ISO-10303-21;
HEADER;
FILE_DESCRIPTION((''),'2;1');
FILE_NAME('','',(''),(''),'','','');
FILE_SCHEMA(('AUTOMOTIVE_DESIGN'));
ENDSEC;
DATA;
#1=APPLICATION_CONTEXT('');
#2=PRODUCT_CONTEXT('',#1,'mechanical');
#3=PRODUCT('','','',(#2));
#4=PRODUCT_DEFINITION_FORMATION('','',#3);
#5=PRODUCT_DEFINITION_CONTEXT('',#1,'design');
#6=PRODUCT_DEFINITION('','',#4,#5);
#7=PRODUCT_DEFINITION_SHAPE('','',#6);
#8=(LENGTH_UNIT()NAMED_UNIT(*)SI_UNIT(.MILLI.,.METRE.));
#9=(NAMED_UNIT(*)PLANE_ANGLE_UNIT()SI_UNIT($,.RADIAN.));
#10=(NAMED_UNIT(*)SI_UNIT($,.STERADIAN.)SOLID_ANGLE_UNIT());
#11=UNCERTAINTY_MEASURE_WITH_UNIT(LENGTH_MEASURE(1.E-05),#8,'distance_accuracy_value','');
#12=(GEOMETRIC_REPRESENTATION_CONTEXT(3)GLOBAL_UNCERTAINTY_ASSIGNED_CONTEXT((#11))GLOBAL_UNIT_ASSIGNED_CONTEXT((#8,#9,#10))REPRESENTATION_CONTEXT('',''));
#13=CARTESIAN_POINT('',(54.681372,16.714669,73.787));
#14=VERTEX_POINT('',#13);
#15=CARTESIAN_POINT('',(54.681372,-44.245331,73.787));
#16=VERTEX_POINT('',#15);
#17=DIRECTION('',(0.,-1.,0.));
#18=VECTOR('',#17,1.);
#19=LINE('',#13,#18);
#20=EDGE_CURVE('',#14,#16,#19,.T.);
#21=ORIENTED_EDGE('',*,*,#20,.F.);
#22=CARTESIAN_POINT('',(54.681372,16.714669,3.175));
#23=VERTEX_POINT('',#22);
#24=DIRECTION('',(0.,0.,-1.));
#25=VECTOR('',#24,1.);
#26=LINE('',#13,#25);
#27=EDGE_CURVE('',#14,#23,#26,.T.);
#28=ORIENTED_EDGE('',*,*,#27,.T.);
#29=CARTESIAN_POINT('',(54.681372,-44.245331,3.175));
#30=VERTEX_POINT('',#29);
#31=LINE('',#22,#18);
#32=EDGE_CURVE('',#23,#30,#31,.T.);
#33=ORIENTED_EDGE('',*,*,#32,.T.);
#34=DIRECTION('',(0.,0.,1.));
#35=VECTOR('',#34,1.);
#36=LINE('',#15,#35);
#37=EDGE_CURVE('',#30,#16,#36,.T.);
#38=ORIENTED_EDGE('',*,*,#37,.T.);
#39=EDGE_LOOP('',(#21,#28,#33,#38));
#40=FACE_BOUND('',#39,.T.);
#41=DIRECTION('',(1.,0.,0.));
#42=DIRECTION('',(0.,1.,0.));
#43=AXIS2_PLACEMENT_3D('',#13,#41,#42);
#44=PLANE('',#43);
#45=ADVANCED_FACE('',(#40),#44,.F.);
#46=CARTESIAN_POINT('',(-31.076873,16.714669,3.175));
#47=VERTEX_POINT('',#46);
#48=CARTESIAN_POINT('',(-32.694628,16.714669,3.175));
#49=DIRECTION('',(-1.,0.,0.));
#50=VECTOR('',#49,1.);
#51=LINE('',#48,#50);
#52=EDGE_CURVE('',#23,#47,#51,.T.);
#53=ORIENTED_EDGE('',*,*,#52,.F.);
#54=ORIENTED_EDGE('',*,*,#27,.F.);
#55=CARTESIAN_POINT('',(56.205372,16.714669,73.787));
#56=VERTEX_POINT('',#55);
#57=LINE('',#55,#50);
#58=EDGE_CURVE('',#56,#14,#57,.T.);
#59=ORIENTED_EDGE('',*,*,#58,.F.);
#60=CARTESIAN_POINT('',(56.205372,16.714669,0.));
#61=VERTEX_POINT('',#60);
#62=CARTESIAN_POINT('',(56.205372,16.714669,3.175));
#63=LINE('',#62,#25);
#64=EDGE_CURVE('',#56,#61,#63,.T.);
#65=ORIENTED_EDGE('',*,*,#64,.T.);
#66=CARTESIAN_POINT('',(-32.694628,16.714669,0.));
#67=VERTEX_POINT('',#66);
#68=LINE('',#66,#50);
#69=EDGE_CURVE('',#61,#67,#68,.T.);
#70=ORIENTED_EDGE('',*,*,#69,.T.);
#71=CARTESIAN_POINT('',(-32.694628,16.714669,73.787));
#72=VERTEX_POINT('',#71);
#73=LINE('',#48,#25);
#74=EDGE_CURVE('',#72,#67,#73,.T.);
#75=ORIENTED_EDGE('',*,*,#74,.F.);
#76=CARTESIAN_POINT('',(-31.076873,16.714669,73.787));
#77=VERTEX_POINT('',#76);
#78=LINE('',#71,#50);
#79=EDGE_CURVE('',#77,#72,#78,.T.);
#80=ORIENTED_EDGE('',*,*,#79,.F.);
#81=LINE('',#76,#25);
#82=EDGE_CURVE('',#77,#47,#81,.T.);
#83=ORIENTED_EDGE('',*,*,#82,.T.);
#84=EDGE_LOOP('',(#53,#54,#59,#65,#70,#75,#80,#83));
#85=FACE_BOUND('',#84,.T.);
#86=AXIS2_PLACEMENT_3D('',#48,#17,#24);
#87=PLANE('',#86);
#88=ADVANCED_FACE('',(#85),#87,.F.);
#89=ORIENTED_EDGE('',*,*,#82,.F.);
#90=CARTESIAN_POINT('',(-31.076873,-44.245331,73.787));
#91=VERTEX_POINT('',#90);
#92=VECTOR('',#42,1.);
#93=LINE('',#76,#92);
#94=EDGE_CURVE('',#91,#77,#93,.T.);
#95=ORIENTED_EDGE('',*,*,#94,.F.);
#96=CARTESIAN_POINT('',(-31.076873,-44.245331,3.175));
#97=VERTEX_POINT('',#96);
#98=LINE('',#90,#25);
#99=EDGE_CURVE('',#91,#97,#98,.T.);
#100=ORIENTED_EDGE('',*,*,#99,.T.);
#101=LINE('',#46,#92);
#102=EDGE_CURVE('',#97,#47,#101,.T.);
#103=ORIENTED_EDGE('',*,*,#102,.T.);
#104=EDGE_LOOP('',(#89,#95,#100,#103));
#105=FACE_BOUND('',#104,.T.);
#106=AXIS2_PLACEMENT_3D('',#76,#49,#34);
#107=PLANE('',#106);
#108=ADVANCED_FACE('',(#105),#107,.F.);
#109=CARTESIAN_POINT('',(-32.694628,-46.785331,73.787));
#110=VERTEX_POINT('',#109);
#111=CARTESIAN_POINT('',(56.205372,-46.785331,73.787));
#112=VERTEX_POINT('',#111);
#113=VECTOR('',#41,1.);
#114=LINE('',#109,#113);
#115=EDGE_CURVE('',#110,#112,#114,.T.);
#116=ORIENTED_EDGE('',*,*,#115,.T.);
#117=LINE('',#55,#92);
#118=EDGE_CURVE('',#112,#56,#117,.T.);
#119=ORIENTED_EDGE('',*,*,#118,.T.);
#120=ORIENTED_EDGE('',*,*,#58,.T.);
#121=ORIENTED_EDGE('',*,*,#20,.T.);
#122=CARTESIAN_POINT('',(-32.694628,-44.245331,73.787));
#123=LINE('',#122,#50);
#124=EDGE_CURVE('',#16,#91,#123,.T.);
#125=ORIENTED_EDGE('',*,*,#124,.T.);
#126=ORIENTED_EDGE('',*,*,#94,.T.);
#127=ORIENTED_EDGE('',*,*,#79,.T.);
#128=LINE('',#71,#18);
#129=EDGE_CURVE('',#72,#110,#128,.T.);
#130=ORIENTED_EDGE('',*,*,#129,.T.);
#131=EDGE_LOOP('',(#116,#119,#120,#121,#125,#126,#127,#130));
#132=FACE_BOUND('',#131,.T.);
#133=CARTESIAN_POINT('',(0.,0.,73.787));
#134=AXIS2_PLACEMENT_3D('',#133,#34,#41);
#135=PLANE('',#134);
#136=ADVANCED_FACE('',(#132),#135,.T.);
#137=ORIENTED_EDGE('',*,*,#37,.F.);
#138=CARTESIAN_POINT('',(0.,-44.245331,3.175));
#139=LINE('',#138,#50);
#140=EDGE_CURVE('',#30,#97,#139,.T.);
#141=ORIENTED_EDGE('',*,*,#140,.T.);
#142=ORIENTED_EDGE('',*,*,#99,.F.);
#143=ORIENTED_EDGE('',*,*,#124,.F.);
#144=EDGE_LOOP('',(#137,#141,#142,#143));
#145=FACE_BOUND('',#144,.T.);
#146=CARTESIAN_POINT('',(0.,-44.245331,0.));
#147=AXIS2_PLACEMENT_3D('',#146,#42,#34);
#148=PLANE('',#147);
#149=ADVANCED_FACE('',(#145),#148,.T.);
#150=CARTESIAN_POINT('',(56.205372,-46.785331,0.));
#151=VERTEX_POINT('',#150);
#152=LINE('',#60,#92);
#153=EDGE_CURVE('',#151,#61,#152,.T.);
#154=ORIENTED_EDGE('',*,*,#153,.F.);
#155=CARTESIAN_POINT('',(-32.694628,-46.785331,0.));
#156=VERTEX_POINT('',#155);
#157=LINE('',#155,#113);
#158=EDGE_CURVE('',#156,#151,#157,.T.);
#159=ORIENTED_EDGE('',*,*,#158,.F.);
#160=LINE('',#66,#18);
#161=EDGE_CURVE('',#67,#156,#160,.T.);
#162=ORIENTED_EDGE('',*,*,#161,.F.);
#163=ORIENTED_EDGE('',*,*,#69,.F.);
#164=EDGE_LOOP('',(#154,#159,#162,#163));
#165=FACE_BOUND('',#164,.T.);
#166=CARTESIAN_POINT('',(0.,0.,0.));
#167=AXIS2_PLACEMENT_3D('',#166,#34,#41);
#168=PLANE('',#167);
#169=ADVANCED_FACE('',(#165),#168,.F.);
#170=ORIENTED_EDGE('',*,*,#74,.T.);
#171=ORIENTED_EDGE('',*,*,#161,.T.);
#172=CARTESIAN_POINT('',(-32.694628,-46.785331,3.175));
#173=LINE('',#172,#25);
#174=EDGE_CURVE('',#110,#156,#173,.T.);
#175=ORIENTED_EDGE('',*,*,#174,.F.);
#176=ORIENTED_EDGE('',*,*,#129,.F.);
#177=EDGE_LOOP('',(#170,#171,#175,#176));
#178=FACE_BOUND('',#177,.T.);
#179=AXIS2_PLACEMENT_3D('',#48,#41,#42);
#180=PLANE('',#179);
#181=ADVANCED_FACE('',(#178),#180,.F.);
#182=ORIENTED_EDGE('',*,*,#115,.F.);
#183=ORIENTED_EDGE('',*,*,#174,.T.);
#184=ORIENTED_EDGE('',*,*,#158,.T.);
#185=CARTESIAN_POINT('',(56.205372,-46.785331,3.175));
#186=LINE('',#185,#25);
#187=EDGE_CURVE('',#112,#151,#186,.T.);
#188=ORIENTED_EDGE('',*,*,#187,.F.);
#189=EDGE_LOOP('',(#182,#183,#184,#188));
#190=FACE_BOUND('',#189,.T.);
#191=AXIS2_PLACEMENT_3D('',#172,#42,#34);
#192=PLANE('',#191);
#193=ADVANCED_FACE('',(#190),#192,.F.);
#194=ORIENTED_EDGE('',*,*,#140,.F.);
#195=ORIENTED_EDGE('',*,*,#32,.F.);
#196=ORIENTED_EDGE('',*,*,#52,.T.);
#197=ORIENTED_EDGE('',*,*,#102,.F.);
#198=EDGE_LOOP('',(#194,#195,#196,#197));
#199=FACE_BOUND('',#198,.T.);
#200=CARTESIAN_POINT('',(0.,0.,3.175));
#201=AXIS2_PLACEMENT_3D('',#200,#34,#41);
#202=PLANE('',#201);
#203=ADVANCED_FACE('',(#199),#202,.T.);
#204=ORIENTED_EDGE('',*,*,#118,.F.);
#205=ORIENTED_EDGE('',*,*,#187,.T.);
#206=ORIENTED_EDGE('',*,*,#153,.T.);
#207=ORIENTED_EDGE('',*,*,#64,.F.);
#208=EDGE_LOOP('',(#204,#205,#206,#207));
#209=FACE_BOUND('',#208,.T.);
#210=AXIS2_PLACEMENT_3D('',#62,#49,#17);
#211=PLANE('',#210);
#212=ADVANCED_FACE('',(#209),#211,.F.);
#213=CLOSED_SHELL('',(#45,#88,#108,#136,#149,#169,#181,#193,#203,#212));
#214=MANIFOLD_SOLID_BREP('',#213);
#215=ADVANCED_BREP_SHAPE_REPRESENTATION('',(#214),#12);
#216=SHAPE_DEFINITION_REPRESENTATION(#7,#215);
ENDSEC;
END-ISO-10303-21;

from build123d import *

# Parameters (mm, degrees)
SKETCH1_W           = 88.9
SKETCH1_H           = 63.5
BOSS_EXTRUDE1_DEPTH = 3.175
SKETCH4_W           = 1.617754759
SKETCH4_H           = 63.5
BOSS_EXTRUDE2_DEPTH = 70.612
SKETCH5_W           = 1.524
SKETCH5_H           = 63.5
BOSS_EXTRUDE3_DEPTH = 70.612
SKETCH6_W           = 88.9
SKETCH6_H           = 73.787
BOSS_EXTRUDE4_DEPTH = 2.54


with BuildPart() as part:
    # Sketch1 → Boss-Extrude1 (new body)
    with BuildSketch(Plane.XY):
        with Locations((11.755371901, -15.035330579)):
            Rectangle(SKETCH1_W, SKETCH1_H)
    extrude(amount=BOSS_EXTRUDE1_DEPTH)

    # Sketch4 → Boss-Extrude2 (add)
    with BuildSketch(Plane.XY.offset(3.175)):
        with Locations((-31.88575072, -15.035330579)):
            Rectangle(SKETCH4_W, SKETCH4_H)
    extrude(amount=BOSS_EXTRUDE2_DEPTH)

    # Sketch5 → Boss-Extrude3 (add)
    with BuildSketch(Plane.XY.offset(3.175)):
        with Locations((55.443371901, -15.035330579)):
            Rectangle(SKETCH5_W, SKETCH5_H)
    extrude(amount=BOSS_EXTRUDE3_DEPTH)

    # Sketch6 → Boss-Extrude4 (add)
    with BuildSketch(Plane.XZ.offset(46.785330579)):
        with Locations((11.755371901, 36.8935)):
            Rectangle(SKETCH6_W, SKETCH6_H)
    extrude(amount=-BOSS_EXTRUDE4_DEPTH)


solid = part.part
